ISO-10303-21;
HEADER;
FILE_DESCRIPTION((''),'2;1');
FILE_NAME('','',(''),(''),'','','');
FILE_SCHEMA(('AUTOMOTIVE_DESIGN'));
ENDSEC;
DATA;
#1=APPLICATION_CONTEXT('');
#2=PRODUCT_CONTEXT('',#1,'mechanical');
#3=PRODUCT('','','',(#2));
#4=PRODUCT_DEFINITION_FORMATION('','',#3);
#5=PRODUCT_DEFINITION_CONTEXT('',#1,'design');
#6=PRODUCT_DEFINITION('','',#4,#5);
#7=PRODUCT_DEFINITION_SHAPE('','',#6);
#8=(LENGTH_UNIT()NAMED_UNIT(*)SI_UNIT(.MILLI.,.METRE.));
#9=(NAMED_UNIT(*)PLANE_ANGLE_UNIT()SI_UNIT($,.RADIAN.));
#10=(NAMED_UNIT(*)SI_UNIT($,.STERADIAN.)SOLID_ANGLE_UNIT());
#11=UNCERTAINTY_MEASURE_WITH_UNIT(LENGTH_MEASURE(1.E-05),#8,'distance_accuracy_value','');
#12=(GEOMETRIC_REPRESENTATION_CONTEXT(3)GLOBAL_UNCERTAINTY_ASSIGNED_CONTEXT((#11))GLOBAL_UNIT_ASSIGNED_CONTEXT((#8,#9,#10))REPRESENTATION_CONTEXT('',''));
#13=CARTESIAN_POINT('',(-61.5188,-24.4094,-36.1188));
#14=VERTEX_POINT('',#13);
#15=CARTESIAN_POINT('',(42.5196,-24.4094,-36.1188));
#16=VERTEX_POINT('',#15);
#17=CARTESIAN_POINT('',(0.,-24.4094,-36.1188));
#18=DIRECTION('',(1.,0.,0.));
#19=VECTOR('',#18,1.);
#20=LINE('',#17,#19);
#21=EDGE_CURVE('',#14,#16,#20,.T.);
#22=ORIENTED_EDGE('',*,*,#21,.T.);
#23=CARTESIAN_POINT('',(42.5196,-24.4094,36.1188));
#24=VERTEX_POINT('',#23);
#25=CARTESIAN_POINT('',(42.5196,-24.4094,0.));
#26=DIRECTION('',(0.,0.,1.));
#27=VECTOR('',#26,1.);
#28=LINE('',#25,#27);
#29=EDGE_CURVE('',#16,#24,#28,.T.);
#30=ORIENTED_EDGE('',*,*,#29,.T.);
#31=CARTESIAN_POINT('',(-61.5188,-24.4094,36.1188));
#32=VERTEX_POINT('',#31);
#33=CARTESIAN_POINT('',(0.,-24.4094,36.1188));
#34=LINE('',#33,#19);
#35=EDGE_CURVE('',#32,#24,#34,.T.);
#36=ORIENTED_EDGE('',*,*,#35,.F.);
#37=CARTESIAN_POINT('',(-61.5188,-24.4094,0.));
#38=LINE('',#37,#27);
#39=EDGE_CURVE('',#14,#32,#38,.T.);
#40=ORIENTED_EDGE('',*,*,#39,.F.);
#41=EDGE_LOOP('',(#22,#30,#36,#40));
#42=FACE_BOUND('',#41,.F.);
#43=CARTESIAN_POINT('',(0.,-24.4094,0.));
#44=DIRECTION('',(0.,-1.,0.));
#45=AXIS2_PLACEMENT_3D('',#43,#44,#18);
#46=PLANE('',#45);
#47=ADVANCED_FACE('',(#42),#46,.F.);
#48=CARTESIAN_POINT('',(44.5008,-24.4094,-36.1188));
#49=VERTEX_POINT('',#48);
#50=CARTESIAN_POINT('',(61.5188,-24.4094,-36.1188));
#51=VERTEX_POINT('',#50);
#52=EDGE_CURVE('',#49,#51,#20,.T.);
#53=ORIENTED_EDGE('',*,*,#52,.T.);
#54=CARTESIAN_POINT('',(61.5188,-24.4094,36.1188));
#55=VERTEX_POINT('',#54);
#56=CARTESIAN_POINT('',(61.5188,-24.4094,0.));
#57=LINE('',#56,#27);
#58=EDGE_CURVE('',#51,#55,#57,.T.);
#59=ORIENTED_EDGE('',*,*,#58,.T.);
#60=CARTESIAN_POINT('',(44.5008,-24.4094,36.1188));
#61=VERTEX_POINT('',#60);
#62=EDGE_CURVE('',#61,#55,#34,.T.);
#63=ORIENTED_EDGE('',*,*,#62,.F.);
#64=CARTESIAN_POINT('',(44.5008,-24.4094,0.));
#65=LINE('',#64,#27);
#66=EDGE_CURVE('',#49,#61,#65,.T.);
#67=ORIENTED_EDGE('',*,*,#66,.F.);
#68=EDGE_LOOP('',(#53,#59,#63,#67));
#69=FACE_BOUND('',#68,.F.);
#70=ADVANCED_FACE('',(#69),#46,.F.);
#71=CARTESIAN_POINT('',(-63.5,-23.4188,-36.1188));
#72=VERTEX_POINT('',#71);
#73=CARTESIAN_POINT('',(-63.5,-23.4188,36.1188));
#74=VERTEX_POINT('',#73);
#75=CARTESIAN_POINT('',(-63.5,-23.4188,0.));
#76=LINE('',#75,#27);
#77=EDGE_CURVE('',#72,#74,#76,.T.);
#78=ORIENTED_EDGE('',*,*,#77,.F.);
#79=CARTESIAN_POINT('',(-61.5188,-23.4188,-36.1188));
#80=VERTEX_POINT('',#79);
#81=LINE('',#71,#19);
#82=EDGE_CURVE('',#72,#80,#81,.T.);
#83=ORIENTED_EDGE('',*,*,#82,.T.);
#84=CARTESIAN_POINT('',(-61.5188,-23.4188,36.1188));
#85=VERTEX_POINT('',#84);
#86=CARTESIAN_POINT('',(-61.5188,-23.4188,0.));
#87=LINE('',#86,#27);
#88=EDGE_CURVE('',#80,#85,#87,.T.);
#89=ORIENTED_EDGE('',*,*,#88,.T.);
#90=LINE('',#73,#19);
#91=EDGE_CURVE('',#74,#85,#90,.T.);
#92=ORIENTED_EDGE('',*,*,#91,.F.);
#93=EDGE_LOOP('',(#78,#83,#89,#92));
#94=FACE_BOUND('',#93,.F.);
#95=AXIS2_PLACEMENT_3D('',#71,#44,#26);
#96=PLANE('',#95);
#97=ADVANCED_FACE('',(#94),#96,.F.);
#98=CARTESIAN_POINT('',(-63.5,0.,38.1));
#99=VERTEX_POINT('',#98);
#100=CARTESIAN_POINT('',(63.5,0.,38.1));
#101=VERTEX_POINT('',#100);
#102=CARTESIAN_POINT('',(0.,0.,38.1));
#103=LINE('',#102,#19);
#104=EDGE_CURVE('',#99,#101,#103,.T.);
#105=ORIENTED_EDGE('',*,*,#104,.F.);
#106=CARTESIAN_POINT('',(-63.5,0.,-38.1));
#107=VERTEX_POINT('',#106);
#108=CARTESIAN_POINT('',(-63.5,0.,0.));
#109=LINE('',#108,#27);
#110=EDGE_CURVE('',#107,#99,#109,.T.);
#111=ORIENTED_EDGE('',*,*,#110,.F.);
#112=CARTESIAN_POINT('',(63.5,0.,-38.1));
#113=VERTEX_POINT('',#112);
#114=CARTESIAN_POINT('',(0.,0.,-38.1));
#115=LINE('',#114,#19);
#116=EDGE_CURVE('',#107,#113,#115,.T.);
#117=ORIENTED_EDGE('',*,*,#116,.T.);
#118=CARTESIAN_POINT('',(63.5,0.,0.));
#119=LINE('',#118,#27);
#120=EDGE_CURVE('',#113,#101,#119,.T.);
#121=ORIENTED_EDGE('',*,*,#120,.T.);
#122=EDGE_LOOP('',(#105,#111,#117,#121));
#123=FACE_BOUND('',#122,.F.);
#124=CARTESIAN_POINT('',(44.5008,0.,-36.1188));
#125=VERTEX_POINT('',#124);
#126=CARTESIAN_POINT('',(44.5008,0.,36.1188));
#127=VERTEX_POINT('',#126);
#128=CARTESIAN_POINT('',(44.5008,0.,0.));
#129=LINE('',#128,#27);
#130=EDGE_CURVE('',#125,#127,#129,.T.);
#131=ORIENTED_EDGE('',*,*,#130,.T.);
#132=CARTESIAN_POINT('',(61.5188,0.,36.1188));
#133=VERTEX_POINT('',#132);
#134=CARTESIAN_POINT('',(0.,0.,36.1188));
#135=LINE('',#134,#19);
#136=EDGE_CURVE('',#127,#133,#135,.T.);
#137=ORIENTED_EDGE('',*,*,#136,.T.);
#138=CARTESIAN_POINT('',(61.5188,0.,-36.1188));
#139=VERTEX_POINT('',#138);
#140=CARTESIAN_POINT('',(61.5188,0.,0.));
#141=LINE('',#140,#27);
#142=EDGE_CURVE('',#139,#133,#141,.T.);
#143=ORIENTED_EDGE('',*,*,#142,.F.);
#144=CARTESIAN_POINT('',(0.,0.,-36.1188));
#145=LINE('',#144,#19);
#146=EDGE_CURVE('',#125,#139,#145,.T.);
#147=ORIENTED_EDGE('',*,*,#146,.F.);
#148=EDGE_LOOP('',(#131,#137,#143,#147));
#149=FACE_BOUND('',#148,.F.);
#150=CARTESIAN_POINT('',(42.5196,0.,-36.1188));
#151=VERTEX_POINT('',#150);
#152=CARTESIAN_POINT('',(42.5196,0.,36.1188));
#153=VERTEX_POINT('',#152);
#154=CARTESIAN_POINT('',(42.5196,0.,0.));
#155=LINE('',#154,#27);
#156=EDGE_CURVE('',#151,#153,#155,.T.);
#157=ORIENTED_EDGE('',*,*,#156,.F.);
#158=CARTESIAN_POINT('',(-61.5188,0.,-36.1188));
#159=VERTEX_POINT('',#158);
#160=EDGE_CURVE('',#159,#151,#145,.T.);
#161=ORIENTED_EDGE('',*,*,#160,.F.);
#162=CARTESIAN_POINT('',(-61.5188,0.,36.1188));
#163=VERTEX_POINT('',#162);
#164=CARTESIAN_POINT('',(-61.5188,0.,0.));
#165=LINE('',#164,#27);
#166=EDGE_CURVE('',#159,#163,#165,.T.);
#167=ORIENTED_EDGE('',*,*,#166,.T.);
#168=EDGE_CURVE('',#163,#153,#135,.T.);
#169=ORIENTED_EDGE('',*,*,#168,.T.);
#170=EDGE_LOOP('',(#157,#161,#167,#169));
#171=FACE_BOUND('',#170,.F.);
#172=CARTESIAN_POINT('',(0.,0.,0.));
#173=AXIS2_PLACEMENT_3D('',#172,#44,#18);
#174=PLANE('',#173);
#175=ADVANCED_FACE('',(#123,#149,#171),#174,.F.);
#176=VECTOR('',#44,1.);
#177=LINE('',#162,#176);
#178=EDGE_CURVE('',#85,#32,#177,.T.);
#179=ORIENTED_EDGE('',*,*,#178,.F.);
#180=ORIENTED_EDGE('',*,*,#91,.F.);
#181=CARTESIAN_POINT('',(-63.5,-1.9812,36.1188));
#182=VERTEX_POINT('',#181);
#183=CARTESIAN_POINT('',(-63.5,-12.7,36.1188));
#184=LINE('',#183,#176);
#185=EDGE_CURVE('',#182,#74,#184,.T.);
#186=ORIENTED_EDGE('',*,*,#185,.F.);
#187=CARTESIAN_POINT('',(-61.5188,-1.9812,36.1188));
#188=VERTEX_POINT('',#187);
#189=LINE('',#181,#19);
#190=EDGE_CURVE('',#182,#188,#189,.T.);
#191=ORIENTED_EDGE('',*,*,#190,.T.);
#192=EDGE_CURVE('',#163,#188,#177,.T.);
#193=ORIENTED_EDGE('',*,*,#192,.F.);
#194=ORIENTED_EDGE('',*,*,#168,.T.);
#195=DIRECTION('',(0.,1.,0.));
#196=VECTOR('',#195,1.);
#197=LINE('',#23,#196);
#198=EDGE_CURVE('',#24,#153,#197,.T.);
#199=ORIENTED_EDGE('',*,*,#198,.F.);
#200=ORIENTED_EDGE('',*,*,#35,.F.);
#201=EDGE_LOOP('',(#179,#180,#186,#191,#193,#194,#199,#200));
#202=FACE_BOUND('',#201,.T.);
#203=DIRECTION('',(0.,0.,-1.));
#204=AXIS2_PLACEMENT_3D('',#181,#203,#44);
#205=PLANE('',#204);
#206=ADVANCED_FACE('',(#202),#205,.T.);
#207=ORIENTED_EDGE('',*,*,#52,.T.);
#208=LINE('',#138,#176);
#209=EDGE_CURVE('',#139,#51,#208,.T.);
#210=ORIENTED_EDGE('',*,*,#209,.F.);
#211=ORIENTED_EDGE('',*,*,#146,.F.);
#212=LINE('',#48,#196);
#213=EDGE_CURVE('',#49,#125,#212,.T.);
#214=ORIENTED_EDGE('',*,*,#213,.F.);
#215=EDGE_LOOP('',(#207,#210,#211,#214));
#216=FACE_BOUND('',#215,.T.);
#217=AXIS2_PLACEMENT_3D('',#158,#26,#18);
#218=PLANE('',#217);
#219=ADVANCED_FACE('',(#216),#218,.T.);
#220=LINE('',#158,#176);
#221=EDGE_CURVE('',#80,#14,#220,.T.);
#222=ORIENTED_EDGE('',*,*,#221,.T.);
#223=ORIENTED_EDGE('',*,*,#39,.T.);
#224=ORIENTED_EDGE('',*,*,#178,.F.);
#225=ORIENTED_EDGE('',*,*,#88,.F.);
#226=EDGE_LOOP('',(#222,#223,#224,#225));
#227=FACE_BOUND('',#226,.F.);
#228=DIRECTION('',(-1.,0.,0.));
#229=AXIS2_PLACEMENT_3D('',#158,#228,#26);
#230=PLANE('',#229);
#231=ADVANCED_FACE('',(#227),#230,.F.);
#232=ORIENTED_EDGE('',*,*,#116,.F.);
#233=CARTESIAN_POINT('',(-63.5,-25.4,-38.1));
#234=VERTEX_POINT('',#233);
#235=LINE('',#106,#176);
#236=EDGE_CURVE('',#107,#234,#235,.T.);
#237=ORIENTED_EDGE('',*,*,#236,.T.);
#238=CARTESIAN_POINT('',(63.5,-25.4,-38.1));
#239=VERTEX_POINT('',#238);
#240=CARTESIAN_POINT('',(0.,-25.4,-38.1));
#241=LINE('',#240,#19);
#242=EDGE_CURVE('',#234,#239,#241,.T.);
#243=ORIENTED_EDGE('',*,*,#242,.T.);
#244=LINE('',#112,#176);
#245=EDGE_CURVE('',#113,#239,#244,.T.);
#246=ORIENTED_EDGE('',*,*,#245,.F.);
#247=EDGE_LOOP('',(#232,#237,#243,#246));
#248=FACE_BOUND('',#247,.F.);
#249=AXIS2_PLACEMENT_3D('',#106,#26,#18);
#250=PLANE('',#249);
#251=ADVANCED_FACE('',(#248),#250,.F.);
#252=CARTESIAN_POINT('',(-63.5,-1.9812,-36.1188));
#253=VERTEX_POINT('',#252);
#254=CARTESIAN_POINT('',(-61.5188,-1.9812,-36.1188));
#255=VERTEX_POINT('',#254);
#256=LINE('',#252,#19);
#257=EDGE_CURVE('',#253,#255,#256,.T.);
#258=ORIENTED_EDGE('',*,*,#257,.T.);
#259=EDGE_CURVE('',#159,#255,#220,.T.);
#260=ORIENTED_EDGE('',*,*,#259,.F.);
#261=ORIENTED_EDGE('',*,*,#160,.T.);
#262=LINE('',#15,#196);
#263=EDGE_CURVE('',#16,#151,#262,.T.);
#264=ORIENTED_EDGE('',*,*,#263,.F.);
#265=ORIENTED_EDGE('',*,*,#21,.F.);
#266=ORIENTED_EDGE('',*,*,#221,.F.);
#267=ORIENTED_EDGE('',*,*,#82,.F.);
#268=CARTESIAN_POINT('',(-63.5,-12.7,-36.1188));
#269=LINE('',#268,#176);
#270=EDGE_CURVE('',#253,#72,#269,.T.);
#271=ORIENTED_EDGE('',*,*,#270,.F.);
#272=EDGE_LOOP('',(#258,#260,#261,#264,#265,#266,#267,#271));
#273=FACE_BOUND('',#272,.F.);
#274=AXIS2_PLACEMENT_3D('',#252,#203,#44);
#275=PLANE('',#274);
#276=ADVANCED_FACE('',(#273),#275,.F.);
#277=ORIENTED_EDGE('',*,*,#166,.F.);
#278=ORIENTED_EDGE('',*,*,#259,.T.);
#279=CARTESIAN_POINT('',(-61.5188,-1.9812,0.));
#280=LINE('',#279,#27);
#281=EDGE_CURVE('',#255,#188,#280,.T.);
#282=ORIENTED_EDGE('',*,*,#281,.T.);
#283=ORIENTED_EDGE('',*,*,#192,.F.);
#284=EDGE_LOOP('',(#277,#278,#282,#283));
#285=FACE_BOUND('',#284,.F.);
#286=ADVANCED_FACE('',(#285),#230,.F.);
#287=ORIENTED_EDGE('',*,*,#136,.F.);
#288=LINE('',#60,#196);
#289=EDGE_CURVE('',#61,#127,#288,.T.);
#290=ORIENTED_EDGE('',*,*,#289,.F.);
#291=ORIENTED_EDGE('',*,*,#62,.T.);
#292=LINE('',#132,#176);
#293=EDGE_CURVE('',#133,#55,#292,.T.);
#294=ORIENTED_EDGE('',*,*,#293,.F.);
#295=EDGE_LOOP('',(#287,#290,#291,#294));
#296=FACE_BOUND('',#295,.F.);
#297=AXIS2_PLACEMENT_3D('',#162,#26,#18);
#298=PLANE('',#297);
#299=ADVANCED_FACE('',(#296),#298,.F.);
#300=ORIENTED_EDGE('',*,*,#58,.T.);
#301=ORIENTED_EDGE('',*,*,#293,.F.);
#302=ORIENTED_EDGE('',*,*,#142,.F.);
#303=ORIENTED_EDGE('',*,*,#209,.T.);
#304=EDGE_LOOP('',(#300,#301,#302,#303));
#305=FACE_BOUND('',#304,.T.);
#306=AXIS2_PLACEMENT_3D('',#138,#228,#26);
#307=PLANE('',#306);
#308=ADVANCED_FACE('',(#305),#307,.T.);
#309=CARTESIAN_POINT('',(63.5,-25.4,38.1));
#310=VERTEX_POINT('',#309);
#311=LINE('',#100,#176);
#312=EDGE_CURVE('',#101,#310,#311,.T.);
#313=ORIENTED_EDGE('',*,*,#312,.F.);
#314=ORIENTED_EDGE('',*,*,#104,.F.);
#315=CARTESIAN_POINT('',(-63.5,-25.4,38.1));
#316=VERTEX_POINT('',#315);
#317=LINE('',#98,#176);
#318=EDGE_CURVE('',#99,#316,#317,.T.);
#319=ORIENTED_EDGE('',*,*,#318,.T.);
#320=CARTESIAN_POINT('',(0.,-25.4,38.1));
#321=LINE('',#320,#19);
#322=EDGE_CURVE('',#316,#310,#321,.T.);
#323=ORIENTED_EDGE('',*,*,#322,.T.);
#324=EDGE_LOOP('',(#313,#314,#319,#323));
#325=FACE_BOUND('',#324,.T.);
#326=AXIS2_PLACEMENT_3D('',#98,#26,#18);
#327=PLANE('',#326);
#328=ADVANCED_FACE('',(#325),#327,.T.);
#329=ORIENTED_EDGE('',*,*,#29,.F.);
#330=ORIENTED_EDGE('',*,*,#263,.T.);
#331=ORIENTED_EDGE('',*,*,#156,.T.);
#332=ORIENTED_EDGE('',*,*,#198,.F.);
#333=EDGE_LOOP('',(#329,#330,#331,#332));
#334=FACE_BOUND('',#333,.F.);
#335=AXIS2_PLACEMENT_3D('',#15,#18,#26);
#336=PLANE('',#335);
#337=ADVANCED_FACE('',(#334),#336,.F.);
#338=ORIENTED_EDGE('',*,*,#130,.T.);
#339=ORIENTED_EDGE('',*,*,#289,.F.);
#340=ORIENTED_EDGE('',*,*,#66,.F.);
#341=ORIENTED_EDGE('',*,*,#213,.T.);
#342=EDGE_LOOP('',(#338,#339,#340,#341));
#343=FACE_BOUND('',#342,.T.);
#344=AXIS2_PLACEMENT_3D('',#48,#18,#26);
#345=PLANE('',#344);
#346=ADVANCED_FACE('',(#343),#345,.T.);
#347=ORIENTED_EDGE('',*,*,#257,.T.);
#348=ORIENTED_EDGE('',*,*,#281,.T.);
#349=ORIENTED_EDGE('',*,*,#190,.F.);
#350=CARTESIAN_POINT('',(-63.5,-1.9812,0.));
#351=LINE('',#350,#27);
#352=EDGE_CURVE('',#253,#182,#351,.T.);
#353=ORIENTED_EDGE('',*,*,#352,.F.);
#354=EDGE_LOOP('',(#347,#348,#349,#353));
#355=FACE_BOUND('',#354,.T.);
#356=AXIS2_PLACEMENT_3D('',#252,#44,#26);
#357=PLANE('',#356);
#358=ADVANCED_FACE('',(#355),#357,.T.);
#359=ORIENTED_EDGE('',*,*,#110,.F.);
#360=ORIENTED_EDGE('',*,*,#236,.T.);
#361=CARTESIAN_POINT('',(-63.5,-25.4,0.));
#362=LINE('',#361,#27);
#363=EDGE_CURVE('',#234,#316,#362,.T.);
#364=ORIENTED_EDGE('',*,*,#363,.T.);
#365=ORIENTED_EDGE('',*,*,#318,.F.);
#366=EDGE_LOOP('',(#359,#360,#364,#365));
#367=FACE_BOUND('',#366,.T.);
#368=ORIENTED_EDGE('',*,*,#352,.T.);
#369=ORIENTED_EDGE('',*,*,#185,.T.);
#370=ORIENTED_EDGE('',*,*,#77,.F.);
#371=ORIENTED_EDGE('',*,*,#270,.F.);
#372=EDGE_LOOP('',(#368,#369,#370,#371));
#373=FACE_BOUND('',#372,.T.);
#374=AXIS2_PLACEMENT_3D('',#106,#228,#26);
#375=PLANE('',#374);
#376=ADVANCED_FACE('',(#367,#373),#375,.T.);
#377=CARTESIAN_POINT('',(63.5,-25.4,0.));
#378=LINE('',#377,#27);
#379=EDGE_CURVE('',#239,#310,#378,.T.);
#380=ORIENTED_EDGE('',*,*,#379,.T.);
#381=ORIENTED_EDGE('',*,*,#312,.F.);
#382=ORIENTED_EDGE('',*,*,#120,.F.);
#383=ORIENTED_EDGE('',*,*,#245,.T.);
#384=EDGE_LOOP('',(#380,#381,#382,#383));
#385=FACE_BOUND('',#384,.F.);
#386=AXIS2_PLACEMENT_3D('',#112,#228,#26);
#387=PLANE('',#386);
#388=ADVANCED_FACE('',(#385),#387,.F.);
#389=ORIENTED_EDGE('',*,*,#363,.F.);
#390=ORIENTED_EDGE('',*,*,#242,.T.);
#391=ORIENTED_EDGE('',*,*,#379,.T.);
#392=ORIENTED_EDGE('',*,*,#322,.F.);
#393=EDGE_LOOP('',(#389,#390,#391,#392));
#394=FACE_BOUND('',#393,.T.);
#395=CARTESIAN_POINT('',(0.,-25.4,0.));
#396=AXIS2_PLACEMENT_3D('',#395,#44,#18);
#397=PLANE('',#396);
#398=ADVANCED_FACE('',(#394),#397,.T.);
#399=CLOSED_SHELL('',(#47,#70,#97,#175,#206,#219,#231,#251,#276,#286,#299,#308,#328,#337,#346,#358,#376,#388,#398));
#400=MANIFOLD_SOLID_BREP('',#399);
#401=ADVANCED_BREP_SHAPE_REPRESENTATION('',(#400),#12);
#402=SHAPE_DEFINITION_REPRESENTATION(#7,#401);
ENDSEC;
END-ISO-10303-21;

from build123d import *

# Parameters (mm, degrees)
F0_W     = 127
F0_H     = 76.2
F1_DEPTH = 25.4
F2_W     = 123.0376
F2_H     = 72.2376
F3_DEPTH = 24.4094
F4_W     = 1.9812
F4_H     = 72.2376
F5_DEPTH = 24.4094
F6_W     = 21.4376
F6_H     = 72.2376
F7_DEPTH = 1.9812


with BuildPart() as f1:
    # F0 (on Front) → F1 (new body)
    with BuildSketch(Plane.XZ):
        Rectangle(F0_W, F0_H)
    extrude(amount=F1_DEPTH)

    # F2 (on Front) → F3 (cut)
    with BuildSketch(Plane.XZ):
        Rectangle(F2_W, F2_H)
    extrude(amount=F3_DEPTH, mode=Mode.SUBTRACT)

    # F4 (on face) → F5 (join)
    with BuildSketch(Plane(origin=(0, -24.4094, 0), x_dir=(-1, 0, 0), z_dir=(0, 1, 0))):
        with Locations((-43.5102, 0)):
            Rectangle(F4_W, F4_H)
    extrude(amount=F5_DEPTH)

    # F6 (on face) → F7 (cut)
    with BuildSketch(Plane(origin=(-63.5, 0, 0), x_dir=(0, -1, 0), z_dir=(-1, 0, 0))):
        with Locations((12.7, 0)):
            Rectangle(F6_W, F6_H)
    extrude(amount=-F7_DEPTH, mode=Mode.SUBTRACT)


solid = f1.part
